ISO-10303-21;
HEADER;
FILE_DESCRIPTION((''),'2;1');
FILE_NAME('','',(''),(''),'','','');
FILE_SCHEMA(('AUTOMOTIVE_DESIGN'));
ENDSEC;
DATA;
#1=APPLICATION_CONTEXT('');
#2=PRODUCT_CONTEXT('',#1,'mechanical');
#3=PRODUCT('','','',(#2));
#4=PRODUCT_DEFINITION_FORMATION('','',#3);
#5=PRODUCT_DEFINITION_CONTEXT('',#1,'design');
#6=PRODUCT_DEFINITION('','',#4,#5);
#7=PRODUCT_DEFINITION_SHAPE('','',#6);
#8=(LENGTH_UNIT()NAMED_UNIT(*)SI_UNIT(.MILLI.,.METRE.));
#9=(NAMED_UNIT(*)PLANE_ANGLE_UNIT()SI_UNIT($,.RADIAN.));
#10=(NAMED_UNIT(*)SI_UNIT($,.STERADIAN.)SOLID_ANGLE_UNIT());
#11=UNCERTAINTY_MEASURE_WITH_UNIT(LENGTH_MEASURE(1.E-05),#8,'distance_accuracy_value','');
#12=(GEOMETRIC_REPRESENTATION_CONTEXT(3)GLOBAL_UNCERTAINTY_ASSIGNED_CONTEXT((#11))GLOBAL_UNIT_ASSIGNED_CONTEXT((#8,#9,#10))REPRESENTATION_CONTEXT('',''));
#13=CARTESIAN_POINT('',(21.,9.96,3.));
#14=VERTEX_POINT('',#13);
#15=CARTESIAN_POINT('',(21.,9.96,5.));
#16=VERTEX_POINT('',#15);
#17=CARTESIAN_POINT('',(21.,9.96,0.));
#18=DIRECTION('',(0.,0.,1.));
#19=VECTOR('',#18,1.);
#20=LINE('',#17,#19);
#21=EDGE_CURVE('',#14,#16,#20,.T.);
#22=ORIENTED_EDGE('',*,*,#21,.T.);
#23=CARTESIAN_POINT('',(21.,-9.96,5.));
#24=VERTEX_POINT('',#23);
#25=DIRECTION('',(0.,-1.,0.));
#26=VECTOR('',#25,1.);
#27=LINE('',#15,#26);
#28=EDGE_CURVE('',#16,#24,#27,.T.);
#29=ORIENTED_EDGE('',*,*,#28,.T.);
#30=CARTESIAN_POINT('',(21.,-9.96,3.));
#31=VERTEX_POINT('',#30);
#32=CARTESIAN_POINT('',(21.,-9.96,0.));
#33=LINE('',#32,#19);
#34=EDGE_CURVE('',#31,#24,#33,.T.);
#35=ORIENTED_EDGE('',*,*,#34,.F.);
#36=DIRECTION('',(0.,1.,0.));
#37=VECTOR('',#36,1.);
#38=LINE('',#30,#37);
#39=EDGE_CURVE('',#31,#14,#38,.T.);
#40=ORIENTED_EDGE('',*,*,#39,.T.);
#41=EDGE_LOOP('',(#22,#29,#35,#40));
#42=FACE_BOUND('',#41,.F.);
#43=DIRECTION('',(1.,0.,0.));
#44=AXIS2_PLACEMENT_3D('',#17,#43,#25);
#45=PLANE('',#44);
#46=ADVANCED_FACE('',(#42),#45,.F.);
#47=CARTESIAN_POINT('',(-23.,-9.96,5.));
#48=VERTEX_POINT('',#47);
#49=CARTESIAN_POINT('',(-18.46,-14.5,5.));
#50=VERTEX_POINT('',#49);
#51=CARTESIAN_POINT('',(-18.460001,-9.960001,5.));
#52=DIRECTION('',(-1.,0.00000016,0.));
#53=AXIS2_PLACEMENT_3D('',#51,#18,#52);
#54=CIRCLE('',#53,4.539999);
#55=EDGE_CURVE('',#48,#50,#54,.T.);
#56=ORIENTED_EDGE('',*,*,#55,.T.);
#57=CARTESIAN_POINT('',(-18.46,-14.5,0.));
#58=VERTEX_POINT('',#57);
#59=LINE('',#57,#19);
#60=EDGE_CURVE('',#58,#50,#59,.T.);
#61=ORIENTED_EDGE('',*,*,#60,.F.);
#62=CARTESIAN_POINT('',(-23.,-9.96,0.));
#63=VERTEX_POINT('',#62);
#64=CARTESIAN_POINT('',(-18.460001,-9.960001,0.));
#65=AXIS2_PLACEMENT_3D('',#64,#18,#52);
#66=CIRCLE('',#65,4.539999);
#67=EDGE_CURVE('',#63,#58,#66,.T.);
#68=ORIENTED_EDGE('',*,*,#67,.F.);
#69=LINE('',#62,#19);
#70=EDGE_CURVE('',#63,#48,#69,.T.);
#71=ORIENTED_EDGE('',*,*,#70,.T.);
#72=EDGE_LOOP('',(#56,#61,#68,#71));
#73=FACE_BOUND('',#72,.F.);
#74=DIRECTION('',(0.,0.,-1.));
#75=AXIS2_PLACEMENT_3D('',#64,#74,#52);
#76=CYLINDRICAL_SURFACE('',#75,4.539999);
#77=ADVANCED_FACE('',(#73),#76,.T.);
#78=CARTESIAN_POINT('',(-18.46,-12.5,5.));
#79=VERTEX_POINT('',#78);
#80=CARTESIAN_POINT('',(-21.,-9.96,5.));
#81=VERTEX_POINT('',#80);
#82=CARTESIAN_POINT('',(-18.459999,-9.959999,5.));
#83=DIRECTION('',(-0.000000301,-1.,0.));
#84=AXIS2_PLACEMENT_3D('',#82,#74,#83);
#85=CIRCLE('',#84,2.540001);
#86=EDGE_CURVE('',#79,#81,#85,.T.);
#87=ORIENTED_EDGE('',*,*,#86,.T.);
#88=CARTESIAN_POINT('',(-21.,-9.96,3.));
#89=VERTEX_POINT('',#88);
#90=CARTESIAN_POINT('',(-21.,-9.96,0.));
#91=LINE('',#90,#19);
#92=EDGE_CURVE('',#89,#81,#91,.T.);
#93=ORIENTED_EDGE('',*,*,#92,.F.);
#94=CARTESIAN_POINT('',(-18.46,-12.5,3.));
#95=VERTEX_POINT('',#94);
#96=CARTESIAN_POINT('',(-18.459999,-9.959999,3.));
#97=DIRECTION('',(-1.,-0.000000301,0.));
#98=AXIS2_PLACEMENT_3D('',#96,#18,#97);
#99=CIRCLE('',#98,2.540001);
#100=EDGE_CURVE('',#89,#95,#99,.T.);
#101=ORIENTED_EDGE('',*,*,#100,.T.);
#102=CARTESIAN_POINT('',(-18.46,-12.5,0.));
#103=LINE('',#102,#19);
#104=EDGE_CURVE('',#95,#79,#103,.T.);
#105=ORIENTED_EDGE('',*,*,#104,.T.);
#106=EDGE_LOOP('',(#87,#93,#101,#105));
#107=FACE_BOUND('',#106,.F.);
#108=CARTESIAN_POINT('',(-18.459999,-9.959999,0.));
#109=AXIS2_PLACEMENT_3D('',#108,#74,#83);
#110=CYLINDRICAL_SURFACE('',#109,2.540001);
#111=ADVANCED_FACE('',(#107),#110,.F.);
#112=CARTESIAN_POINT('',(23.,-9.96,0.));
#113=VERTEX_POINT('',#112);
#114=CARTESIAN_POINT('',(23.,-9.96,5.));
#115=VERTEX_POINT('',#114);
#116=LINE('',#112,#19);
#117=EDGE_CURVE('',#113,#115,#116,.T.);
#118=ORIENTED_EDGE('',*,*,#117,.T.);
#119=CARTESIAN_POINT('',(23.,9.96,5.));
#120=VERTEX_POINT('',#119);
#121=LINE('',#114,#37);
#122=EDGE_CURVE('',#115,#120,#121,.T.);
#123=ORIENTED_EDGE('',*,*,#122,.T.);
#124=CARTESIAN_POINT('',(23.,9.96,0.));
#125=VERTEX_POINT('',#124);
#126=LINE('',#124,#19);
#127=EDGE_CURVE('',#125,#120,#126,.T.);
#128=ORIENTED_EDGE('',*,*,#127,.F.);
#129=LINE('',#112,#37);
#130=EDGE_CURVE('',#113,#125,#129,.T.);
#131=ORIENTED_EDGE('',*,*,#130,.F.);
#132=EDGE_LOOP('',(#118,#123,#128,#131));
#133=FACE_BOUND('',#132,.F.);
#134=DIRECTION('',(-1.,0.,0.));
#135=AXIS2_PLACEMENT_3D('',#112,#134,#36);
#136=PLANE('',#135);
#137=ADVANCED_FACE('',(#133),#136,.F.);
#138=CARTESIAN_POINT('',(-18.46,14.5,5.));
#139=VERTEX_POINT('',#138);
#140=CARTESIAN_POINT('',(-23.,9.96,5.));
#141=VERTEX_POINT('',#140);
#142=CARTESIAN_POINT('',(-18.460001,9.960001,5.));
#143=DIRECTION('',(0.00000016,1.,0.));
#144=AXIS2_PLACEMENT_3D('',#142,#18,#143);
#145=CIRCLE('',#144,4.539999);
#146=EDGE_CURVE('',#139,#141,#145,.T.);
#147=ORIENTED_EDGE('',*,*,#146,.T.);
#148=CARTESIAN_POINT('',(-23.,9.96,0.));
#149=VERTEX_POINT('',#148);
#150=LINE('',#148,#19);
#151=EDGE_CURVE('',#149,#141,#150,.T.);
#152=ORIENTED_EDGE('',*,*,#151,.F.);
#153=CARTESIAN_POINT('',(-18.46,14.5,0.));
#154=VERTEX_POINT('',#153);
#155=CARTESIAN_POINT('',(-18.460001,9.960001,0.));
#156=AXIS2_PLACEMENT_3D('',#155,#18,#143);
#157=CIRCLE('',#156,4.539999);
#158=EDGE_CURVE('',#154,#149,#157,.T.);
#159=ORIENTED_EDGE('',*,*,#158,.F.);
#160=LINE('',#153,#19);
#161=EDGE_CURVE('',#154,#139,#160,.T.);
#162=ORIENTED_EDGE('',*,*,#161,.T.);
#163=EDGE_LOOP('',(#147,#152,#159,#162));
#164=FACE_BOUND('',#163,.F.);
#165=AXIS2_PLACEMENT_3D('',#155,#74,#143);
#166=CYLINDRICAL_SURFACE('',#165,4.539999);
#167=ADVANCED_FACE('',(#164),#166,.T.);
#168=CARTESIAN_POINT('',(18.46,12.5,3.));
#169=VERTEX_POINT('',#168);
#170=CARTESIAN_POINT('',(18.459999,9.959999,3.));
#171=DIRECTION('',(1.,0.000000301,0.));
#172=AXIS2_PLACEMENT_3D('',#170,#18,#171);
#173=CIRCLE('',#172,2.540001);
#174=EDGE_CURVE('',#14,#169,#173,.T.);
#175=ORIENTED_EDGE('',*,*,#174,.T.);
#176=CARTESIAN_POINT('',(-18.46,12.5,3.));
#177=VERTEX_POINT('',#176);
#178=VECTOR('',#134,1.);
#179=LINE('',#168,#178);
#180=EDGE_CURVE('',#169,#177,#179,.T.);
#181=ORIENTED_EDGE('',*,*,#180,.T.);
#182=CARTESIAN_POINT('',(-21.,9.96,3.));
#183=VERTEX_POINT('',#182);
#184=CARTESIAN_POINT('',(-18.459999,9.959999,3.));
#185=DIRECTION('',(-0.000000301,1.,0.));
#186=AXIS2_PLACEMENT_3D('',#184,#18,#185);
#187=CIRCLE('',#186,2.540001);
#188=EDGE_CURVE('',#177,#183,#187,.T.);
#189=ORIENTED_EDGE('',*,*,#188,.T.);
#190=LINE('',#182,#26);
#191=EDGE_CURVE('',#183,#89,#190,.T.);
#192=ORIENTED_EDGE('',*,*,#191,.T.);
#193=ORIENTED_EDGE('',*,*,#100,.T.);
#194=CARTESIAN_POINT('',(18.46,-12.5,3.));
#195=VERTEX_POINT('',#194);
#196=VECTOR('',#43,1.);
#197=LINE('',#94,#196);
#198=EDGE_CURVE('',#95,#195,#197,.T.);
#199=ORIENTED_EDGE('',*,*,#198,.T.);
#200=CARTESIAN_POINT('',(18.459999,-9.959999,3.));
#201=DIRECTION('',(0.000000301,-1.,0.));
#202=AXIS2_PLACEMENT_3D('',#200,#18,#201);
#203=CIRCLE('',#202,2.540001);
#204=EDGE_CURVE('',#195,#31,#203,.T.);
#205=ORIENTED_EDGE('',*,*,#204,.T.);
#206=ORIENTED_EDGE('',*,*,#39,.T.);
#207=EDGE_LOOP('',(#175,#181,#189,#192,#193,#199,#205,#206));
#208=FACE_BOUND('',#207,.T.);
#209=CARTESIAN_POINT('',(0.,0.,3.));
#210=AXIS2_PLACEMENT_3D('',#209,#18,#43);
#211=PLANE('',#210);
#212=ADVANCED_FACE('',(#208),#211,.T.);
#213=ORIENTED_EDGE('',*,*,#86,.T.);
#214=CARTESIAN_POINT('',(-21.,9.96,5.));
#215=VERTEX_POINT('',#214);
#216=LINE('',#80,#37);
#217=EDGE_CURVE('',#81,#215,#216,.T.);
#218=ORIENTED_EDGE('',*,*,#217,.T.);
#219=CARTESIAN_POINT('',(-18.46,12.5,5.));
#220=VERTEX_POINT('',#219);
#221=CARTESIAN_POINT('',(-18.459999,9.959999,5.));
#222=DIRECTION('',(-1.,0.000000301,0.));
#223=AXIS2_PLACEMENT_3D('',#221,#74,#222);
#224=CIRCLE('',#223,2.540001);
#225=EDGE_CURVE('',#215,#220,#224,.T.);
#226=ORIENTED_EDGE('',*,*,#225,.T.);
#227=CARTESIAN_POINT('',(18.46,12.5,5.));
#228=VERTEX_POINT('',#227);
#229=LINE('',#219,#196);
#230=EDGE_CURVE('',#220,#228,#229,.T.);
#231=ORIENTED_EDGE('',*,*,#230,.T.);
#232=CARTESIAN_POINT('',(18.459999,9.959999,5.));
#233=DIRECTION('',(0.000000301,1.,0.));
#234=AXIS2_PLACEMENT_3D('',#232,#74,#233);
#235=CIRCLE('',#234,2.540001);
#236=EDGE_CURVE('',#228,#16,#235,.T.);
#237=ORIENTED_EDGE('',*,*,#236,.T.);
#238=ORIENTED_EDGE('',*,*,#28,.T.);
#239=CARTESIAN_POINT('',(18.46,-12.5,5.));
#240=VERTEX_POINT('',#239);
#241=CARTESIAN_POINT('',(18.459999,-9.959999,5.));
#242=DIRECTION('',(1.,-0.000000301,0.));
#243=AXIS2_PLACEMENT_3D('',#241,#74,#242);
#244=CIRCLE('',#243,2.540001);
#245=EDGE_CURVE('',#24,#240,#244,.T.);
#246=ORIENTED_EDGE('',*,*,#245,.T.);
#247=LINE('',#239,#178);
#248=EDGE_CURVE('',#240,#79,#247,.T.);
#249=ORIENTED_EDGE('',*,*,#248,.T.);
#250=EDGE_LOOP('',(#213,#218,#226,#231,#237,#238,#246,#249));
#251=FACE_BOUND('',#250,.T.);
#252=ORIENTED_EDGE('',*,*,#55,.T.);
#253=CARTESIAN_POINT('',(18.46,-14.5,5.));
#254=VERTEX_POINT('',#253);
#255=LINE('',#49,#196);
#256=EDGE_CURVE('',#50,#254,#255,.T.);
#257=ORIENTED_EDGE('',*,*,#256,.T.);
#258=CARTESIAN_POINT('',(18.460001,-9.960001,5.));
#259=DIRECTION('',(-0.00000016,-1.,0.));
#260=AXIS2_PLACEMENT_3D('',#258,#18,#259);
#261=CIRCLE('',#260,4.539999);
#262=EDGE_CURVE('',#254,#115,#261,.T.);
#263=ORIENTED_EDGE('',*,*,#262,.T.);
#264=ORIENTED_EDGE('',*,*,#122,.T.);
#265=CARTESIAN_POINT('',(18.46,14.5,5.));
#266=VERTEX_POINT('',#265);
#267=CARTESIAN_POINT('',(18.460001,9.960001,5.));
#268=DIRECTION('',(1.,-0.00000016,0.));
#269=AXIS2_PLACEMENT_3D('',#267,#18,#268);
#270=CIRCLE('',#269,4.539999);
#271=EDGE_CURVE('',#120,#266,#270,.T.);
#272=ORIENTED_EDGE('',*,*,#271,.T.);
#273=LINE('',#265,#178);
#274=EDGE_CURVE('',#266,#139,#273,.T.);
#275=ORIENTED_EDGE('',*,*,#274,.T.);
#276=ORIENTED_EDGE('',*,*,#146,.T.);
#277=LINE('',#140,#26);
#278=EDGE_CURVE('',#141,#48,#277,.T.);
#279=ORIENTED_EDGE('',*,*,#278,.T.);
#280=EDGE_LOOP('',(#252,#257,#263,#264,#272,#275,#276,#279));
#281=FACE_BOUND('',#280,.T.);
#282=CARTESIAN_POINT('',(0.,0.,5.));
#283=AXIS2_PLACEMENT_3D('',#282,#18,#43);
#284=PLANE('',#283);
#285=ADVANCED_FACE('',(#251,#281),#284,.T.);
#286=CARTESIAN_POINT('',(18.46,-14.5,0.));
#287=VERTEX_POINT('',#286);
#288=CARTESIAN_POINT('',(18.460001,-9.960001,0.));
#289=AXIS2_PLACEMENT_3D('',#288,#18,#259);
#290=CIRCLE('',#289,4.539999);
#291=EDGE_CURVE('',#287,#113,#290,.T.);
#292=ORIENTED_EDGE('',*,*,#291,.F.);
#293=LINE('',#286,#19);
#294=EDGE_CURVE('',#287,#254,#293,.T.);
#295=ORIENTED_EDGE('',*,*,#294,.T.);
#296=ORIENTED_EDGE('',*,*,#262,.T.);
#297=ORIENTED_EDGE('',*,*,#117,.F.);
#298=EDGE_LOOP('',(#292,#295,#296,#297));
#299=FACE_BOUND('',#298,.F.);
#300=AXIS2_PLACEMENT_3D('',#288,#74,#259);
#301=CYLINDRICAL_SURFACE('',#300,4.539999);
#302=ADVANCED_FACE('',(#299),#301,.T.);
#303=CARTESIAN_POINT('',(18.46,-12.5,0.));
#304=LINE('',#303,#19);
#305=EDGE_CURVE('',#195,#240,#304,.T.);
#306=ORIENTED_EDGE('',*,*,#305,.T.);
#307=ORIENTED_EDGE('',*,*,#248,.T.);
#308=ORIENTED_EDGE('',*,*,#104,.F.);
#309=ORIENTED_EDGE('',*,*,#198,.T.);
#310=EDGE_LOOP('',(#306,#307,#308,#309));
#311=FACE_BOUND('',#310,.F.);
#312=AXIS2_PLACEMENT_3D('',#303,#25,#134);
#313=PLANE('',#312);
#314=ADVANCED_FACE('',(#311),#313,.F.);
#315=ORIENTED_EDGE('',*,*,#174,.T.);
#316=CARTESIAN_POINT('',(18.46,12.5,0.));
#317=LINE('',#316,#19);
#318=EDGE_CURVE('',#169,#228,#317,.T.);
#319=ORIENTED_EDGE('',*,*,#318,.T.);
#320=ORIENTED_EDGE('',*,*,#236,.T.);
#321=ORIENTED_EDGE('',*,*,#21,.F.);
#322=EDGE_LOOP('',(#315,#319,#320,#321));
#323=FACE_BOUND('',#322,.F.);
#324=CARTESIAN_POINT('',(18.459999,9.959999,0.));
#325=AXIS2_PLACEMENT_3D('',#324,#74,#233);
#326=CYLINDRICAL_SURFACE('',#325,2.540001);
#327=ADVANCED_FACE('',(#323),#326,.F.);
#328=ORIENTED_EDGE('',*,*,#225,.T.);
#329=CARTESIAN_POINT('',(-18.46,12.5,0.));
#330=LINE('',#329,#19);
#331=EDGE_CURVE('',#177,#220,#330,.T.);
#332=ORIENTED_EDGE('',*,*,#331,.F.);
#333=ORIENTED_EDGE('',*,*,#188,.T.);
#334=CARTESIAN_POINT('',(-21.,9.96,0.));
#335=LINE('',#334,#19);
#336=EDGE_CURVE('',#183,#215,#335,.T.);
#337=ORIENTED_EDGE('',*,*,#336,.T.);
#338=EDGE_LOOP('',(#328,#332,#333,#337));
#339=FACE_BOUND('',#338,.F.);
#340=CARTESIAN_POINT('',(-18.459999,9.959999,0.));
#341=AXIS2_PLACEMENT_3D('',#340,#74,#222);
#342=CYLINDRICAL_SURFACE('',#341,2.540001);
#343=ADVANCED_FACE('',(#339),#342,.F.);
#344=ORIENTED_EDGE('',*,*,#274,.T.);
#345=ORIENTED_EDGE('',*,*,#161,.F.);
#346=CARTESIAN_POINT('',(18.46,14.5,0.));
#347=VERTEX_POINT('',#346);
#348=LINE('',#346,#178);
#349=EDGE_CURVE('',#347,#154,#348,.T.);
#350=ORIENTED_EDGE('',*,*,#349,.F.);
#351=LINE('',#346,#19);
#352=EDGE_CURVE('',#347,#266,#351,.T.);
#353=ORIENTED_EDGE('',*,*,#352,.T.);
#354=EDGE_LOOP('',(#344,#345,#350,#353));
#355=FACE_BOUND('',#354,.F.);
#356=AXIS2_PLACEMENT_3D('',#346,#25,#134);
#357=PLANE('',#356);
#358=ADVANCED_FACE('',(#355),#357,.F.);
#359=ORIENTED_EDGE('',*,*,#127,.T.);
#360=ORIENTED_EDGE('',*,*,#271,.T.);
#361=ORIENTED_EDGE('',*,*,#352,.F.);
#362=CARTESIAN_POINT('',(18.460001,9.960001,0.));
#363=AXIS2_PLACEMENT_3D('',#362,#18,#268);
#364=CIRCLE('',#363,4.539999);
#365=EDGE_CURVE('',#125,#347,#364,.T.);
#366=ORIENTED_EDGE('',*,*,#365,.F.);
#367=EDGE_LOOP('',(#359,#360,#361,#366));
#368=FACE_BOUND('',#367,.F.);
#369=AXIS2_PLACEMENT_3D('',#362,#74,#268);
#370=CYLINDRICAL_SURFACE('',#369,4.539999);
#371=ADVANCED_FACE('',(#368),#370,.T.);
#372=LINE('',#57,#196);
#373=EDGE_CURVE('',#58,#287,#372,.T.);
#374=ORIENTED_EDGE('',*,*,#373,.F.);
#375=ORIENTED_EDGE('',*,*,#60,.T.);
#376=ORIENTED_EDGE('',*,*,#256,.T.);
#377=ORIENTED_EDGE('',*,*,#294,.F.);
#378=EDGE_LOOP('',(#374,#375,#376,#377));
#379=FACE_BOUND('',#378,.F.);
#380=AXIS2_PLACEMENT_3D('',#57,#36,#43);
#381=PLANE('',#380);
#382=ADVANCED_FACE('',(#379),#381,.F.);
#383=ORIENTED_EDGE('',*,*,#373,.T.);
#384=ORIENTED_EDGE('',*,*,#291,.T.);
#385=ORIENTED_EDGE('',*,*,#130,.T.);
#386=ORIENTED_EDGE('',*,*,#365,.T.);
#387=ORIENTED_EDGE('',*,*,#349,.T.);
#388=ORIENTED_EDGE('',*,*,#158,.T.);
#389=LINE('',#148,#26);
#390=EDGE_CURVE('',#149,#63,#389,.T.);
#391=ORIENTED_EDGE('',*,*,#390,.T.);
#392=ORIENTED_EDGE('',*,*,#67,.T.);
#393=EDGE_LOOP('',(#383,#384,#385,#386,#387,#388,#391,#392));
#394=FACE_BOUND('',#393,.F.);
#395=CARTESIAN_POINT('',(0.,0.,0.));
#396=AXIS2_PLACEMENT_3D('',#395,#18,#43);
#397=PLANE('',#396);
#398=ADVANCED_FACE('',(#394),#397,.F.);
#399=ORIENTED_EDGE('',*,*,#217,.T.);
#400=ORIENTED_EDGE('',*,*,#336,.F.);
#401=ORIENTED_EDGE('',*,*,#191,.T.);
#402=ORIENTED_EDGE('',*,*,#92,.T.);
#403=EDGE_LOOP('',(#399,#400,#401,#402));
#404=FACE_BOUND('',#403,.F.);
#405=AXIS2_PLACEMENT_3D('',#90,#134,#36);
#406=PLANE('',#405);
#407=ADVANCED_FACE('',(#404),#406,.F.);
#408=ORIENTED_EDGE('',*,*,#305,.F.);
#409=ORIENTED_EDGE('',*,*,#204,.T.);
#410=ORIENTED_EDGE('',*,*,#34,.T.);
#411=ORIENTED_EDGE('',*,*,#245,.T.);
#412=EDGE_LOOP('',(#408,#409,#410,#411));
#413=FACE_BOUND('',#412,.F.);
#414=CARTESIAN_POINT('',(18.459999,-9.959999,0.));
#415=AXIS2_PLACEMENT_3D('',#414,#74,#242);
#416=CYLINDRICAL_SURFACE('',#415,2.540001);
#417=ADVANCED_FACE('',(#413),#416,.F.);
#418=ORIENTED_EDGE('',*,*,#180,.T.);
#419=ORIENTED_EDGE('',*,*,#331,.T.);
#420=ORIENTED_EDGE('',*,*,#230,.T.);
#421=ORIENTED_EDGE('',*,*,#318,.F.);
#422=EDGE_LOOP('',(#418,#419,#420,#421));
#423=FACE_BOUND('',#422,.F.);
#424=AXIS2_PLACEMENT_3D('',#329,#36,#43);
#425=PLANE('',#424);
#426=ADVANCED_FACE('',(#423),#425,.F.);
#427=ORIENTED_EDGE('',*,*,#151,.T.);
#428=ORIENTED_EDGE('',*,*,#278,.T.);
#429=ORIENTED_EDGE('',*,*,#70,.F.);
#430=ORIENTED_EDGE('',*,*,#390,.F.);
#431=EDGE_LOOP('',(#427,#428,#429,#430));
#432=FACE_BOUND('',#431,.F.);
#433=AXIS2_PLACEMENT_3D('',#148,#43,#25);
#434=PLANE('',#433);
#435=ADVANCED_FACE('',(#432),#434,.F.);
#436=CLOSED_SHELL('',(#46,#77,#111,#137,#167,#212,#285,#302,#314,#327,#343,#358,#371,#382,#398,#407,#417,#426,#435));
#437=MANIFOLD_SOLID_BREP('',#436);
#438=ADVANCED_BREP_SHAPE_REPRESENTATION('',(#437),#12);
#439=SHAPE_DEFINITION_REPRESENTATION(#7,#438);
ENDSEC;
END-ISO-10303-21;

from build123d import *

# Parameters (mm, degrees)
F2_DEPTH = 3
F3_DEPTH = 5


with BuildPart() as f2:
    # F0 (on Top) → F2 (new body)
    with BuildSketch(Plane.XY):
        with BuildLine():
            ThreePointArc((21, 9.96), (20.256051, 11.756051), (18.46, 12.5))
            Line((18.46, 12.5), (-18.46, 12.5))
            ThreePointArc((-18.46, 12.5), (-20.256051, 11.756051), (-21, 9.96))
            Line((-21, 9.96), (-21, -9.96))
            ThreePointArc((-21, -9.96), (-20.256051, -11.756051), (-18.46, -12.5))
            Line((-18.46, -12.5), (18.46, -12.5))
            ThreePointArc((18.46, -12.5), (20.256051, -11.756051), (21, -9.96))
            Line((21, -9.96), (21, 9.96))
        make_face()
    extrude(amount=F2_DEPTH)

    # F1 (on face) → F3 (join)
    with BuildSketch(Plane.XY):
        with BuildLine():
            ThreePointArc((23, 9.96), (21.670265, 13.170265), (18.46, 14.5))
            Line((18.46, 14.5), (-18.46, 14.5))
            ThreePointArc((-18.46, 14.5), (-21.670265, 13.170265), (-23, 9.96))
            Line((-23, 9.96), (-23, -9.96))
            ThreePointArc((-23, -9.96), (-21.670265, -13.170265), (-18.46, -14.5))
            Line((-18.46, -14.5), (18.46, -14.5))
            ThreePointArc((18.46, -14.5), (21.670265, -13.170265), (23, -9.96))
            Line((23, -9.96), (23, 9.96))
        make_face()
        with BuildLine():
            ThreePointArc((18.46, 12.5), (20.256051, 11.756051), (21, 9.96))
            Line((21, 9.96), (21, -9.96))
            ThreePointArc((21, -9.96), (20.256051, -11.756051), (18.46, -12.5))
            Line((18.46, -12.5), (-18.46, -12.5))
            ThreePointArc((-18.46, -12.5), (-20.256051, -11.756051), (-21, -9.96))
            Line((-21, -9.96), (-21, 9.96))
            ThreePointArc((-21, 9.96), (-20.256051, 11.756051), (-18.46, 12.5))
            Line((-18.46, 12.5), (18.46, 12.5))
        make_face(mode=Mode.SUBTRACT)
    extrude(amount=F3_DEPTH)


solid = f2.part
